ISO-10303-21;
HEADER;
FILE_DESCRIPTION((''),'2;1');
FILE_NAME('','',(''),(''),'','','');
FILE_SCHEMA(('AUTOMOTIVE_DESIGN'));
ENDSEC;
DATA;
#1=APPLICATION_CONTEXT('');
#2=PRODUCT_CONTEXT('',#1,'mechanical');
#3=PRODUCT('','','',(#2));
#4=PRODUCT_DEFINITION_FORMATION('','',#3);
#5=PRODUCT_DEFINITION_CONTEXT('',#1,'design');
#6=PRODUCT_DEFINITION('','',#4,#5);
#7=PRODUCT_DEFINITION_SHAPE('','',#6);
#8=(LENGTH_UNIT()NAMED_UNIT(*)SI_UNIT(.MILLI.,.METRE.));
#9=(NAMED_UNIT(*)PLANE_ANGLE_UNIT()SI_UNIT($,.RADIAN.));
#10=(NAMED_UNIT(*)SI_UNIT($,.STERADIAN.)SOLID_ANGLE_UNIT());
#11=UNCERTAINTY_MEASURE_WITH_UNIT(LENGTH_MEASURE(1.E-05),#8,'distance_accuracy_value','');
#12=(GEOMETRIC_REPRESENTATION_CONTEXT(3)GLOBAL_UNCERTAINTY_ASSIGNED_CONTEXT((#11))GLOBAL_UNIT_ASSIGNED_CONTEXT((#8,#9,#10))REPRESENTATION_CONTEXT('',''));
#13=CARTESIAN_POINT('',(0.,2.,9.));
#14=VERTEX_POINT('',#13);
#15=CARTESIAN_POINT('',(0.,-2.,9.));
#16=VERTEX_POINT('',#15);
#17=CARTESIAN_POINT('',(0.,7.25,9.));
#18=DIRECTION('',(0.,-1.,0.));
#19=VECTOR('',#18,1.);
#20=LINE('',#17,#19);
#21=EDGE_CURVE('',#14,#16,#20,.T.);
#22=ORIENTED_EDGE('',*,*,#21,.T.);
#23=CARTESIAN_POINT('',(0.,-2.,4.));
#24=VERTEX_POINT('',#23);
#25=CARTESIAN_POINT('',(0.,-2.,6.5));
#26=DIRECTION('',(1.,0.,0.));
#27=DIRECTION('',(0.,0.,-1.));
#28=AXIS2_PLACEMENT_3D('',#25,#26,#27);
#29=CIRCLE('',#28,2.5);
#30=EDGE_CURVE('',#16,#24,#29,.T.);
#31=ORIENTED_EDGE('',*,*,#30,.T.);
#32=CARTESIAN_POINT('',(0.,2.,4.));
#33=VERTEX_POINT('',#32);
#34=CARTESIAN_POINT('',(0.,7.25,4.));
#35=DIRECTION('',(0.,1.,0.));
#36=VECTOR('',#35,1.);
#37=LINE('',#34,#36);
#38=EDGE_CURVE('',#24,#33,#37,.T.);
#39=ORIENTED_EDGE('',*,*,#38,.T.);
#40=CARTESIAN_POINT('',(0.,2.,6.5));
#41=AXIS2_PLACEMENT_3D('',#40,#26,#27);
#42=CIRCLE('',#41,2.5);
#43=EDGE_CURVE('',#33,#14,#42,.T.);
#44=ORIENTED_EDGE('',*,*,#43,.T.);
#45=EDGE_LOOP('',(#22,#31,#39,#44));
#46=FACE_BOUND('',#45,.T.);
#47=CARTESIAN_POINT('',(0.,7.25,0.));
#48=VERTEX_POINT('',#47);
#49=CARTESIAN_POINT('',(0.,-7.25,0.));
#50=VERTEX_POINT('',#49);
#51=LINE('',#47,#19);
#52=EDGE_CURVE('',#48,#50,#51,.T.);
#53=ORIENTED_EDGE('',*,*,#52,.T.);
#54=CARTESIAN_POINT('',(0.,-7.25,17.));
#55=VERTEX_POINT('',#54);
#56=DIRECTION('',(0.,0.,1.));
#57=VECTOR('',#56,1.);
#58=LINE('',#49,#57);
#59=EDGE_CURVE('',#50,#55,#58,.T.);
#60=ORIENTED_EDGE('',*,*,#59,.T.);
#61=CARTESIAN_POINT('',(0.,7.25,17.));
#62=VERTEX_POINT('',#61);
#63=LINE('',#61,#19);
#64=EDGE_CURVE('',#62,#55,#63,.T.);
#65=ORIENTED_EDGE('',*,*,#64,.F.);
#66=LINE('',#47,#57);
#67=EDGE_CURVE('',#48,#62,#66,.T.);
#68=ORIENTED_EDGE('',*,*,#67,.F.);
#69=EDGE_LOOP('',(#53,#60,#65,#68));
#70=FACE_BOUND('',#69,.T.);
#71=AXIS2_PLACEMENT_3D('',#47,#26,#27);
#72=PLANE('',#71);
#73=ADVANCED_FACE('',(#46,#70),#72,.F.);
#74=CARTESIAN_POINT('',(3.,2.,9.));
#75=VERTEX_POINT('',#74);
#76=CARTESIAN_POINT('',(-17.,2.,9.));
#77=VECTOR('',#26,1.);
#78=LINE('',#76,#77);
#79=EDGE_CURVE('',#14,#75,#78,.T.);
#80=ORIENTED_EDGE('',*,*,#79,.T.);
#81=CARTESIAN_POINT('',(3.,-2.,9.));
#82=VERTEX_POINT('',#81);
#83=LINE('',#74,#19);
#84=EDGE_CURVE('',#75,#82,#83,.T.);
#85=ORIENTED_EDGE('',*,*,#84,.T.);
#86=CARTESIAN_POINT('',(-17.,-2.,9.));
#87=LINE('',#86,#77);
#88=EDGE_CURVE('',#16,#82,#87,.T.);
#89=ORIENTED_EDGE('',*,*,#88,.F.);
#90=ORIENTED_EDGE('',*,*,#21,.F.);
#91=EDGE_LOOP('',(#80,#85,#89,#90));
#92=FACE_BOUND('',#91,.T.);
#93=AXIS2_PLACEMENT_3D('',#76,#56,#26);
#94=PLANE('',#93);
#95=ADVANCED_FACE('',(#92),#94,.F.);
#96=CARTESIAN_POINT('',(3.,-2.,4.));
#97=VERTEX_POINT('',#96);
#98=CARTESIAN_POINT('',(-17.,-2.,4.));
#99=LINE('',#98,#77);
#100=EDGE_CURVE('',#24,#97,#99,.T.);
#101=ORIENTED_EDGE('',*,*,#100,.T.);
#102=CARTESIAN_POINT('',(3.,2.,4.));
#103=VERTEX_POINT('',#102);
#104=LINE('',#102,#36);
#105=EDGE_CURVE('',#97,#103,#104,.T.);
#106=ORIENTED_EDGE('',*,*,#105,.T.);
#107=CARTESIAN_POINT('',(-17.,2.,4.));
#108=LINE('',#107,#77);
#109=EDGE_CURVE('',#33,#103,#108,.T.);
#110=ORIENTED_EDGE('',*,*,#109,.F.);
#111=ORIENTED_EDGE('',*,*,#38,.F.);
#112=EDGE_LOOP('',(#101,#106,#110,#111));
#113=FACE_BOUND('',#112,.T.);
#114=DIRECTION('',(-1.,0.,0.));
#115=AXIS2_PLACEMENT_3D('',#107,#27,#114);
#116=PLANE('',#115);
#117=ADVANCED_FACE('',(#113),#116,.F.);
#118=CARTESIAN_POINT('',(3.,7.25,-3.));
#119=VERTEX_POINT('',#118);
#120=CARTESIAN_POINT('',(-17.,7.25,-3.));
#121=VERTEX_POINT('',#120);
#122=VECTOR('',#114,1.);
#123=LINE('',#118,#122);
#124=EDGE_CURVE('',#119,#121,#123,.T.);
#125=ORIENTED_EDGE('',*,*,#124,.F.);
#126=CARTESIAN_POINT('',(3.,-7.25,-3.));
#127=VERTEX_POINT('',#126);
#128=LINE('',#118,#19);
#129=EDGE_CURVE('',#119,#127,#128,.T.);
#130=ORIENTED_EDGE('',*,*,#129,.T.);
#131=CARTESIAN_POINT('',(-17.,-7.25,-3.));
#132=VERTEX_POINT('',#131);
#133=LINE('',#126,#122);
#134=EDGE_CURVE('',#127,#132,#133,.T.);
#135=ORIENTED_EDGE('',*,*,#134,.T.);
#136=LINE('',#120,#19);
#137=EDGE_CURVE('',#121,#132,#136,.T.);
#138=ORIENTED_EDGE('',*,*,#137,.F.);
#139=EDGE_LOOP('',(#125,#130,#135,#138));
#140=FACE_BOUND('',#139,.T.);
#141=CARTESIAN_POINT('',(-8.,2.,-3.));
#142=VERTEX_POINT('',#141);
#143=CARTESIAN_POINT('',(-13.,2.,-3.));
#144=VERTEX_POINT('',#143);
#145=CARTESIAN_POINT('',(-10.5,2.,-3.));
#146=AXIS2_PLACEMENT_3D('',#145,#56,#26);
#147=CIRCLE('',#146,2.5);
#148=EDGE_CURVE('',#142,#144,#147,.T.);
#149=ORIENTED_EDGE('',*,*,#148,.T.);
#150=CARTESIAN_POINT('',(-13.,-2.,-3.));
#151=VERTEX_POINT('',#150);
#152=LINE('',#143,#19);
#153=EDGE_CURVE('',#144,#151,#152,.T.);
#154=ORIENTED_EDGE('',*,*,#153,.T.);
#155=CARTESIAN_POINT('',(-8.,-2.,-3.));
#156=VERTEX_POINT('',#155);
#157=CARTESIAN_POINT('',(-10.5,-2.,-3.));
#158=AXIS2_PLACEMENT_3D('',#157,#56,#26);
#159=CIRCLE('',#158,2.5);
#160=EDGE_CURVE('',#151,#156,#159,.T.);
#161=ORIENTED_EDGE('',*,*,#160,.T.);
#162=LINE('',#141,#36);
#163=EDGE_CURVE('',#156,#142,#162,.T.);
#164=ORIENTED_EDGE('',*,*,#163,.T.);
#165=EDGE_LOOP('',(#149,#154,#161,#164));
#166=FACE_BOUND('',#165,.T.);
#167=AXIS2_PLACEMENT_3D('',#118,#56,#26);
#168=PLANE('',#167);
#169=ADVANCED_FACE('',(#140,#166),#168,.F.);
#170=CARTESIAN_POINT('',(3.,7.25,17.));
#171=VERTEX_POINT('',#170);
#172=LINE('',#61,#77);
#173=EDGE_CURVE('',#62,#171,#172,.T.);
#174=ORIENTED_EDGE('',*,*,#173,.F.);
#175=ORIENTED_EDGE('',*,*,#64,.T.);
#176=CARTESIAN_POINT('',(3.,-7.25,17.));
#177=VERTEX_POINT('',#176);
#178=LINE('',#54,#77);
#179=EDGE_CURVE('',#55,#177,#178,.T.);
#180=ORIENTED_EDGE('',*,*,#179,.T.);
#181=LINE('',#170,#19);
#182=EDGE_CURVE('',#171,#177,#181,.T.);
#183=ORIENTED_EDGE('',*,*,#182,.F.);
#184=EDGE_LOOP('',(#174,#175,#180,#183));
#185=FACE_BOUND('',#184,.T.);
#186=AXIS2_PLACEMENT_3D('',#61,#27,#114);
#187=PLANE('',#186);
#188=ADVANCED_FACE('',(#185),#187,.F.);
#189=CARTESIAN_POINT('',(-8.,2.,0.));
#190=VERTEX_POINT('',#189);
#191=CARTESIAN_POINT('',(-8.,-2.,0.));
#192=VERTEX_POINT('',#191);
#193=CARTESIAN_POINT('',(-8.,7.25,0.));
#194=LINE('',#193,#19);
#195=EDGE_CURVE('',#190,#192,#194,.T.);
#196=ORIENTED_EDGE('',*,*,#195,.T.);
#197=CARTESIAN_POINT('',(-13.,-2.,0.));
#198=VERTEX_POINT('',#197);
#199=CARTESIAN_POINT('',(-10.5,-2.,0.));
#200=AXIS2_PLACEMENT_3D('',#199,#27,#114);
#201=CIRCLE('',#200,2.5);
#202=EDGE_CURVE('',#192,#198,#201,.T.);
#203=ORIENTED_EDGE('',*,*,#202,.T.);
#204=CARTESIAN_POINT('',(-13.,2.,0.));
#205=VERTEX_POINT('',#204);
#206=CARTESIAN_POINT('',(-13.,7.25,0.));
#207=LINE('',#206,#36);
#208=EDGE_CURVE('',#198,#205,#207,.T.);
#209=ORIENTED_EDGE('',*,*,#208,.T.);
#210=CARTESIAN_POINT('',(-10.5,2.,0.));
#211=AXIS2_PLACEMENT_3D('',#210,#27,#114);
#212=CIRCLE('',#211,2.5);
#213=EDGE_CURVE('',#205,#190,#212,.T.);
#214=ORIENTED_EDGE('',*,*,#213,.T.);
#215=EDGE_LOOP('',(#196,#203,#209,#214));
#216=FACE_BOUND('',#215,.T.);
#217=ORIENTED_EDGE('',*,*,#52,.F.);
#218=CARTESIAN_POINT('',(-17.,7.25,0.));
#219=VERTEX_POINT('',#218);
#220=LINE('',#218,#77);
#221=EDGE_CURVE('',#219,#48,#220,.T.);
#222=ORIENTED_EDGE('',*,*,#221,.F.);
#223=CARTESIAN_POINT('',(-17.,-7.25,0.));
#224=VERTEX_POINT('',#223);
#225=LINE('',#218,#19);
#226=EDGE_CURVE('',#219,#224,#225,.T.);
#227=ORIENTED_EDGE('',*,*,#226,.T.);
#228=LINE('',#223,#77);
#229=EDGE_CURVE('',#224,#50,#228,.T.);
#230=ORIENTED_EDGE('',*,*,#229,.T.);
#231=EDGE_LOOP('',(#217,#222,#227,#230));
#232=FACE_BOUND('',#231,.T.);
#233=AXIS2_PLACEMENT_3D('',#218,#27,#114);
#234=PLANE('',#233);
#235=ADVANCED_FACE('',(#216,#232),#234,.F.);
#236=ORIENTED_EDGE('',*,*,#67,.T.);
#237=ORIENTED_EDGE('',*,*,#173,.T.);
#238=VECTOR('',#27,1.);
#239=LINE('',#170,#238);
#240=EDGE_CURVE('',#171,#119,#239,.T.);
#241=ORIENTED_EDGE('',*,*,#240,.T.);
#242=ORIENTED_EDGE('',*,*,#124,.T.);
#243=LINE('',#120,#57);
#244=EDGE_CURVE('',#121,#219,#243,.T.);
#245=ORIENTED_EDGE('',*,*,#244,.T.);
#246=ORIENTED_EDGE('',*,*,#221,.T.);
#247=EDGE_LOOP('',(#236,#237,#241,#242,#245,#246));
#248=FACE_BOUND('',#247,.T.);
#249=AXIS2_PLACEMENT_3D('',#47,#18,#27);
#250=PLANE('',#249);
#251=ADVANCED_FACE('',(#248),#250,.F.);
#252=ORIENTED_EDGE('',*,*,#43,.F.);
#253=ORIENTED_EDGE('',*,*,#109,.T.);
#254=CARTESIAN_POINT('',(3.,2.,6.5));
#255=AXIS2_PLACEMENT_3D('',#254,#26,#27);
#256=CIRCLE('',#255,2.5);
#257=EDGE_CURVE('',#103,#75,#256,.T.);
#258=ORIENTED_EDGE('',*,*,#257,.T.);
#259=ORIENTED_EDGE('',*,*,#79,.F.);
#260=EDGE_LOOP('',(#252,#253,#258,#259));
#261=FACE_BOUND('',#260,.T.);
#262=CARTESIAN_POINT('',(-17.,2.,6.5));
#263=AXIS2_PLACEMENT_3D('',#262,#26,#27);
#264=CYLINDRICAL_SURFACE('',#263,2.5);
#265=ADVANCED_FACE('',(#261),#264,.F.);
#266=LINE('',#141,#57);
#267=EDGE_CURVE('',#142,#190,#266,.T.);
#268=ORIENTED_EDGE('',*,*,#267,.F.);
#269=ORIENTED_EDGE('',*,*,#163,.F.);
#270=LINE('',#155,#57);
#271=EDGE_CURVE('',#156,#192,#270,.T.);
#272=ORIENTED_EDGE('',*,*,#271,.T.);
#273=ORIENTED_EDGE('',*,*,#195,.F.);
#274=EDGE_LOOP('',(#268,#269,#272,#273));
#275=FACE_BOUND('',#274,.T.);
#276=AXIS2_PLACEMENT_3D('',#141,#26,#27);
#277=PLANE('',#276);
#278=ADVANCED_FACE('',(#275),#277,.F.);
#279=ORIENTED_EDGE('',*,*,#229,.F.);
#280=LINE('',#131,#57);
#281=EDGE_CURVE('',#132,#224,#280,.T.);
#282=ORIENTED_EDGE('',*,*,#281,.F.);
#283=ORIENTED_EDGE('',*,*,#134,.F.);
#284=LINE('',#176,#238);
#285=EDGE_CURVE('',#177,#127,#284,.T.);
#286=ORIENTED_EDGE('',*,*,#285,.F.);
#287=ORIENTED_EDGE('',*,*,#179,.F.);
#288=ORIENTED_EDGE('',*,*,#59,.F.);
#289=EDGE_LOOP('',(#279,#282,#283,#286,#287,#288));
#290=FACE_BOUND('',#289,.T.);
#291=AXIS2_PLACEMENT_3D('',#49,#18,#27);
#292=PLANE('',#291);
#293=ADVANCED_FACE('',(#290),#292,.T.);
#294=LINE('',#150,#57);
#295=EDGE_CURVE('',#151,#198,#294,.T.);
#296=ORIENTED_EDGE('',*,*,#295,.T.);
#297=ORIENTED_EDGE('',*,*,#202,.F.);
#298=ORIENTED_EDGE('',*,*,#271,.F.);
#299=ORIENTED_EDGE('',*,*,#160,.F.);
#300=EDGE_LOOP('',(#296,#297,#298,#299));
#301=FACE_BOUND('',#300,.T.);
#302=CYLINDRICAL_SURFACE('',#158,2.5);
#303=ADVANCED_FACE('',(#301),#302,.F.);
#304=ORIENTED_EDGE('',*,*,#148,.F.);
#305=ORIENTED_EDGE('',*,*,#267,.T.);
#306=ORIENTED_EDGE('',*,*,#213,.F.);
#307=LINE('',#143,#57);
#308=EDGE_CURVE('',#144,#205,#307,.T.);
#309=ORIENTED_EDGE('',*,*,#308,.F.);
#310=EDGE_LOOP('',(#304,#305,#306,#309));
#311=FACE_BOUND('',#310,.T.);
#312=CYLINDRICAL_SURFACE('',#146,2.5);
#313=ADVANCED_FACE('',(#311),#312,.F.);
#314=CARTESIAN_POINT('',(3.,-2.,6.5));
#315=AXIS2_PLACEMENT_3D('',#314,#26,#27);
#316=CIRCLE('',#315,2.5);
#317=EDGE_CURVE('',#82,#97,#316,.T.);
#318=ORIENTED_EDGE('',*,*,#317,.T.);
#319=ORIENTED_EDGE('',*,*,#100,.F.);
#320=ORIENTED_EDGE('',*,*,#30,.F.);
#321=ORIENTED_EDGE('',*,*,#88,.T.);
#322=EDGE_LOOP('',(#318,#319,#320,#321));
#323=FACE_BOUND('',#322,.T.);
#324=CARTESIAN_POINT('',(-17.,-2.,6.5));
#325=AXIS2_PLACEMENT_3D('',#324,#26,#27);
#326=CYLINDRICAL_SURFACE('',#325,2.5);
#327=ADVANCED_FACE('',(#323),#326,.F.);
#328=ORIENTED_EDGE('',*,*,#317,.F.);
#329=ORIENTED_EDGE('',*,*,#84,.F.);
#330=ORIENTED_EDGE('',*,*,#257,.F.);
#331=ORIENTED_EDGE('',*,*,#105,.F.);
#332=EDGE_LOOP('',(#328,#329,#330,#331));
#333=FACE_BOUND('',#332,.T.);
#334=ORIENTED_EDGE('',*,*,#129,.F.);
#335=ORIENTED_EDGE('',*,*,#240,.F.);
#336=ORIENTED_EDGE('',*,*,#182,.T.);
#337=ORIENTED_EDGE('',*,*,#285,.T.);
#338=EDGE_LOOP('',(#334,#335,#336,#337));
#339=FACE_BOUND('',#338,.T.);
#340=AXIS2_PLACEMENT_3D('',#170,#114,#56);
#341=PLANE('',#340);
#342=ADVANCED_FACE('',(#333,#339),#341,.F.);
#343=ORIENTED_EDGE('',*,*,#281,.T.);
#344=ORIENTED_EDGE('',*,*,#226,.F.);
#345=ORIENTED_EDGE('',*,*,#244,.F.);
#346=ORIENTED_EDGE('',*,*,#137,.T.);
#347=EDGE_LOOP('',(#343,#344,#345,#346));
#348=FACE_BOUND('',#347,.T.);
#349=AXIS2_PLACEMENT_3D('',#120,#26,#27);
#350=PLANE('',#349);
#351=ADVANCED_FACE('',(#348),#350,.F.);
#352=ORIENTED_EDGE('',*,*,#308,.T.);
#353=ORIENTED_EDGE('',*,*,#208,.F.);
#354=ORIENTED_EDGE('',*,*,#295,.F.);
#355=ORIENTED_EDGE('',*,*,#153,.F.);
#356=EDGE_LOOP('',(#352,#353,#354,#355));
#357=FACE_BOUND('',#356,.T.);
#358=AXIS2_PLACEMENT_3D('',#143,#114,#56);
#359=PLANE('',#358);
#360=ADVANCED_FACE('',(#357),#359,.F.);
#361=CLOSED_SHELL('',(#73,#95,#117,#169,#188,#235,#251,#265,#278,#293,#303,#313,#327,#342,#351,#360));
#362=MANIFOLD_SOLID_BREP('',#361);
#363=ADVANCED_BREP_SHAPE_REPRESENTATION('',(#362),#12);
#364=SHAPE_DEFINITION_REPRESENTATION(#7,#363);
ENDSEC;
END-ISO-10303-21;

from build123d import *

# Parameters (mm, degrees)
BOSS_EXTRUDE1_DEPTH     = 7.25
CUT_EXTRUDE1_DEPTH      = 18
CUT_EXTRUDE1_DEPTH_BACK = 4
CUT_EXTRUDE2_DEPTH      = 4
CUT_EXTRUDE2_DEPTH_BACK = 18


with BuildPart() as part:
    # Sketch1 → Boss-Extrude1 (new body, symmetric)
    with BuildSketch(Plane(origin=(0, 0, 0), x_dir=(1, 0, 0), z_dir=(0, 1, 0))):
        Polygon((0, 0), (0, -17), (3, -17), (3, 3), (-17, 3), (-17, 0), align=None)
    extrude(amount=BOSS_EXTRUDE1_DEPTH, both=True)

    # Sketch2 → Cut-Extrude1 (cut, two sides)
    with BuildSketch(Plane.XY) as cut_extrude1_sk:
        with BuildLine():
            Line((-8, 2), (-8, -2))
            ThreePointArc((-8, -2), (-10.5, -4.5), (-13, -2))
            Line((-13, -2), (-13, 2))
            ThreePointArc((-13, 2), (-10.5, 4.5), (-8, 2))
        make_face()
    extrude(amount=CUT_EXTRUDE1_DEPTH, mode=Mode.SUBTRACT)
    extrude(cut_extrude1_sk.sketch, amount=-CUT_EXTRUDE1_DEPTH_BACK, mode=Mode.SUBTRACT)

    # Sketch3 → Cut-Extrude2 (cut, two sides)
    with BuildSketch(Plane(origin=(0, 0, 0), x_dir=(0, 0, -1), z_dir=(1, 0, 0))) as cut_extrude2_sk:
        with BuildLine():
            Line((-4, 2), (-4, -2))
            ThreePointArc((-4, -2), (-6.5, -4.5), (-9, -2))
            Line((-9, -2), (-9, 2))
            ThreePointArc((-9, 2), (-6.5, 4.5), (-4, 2))
        make_face()
    extrude(amount=CUT_EXTRUDE2_DEPTH, mode=Mode.SUBTRACT)
    extrude(cut_extrude2_sk.sketch, amount=-CUT_EXTRUDE2_DEPTH_BACK, mode=Mode.SUBTRACT)


solid = part.part
